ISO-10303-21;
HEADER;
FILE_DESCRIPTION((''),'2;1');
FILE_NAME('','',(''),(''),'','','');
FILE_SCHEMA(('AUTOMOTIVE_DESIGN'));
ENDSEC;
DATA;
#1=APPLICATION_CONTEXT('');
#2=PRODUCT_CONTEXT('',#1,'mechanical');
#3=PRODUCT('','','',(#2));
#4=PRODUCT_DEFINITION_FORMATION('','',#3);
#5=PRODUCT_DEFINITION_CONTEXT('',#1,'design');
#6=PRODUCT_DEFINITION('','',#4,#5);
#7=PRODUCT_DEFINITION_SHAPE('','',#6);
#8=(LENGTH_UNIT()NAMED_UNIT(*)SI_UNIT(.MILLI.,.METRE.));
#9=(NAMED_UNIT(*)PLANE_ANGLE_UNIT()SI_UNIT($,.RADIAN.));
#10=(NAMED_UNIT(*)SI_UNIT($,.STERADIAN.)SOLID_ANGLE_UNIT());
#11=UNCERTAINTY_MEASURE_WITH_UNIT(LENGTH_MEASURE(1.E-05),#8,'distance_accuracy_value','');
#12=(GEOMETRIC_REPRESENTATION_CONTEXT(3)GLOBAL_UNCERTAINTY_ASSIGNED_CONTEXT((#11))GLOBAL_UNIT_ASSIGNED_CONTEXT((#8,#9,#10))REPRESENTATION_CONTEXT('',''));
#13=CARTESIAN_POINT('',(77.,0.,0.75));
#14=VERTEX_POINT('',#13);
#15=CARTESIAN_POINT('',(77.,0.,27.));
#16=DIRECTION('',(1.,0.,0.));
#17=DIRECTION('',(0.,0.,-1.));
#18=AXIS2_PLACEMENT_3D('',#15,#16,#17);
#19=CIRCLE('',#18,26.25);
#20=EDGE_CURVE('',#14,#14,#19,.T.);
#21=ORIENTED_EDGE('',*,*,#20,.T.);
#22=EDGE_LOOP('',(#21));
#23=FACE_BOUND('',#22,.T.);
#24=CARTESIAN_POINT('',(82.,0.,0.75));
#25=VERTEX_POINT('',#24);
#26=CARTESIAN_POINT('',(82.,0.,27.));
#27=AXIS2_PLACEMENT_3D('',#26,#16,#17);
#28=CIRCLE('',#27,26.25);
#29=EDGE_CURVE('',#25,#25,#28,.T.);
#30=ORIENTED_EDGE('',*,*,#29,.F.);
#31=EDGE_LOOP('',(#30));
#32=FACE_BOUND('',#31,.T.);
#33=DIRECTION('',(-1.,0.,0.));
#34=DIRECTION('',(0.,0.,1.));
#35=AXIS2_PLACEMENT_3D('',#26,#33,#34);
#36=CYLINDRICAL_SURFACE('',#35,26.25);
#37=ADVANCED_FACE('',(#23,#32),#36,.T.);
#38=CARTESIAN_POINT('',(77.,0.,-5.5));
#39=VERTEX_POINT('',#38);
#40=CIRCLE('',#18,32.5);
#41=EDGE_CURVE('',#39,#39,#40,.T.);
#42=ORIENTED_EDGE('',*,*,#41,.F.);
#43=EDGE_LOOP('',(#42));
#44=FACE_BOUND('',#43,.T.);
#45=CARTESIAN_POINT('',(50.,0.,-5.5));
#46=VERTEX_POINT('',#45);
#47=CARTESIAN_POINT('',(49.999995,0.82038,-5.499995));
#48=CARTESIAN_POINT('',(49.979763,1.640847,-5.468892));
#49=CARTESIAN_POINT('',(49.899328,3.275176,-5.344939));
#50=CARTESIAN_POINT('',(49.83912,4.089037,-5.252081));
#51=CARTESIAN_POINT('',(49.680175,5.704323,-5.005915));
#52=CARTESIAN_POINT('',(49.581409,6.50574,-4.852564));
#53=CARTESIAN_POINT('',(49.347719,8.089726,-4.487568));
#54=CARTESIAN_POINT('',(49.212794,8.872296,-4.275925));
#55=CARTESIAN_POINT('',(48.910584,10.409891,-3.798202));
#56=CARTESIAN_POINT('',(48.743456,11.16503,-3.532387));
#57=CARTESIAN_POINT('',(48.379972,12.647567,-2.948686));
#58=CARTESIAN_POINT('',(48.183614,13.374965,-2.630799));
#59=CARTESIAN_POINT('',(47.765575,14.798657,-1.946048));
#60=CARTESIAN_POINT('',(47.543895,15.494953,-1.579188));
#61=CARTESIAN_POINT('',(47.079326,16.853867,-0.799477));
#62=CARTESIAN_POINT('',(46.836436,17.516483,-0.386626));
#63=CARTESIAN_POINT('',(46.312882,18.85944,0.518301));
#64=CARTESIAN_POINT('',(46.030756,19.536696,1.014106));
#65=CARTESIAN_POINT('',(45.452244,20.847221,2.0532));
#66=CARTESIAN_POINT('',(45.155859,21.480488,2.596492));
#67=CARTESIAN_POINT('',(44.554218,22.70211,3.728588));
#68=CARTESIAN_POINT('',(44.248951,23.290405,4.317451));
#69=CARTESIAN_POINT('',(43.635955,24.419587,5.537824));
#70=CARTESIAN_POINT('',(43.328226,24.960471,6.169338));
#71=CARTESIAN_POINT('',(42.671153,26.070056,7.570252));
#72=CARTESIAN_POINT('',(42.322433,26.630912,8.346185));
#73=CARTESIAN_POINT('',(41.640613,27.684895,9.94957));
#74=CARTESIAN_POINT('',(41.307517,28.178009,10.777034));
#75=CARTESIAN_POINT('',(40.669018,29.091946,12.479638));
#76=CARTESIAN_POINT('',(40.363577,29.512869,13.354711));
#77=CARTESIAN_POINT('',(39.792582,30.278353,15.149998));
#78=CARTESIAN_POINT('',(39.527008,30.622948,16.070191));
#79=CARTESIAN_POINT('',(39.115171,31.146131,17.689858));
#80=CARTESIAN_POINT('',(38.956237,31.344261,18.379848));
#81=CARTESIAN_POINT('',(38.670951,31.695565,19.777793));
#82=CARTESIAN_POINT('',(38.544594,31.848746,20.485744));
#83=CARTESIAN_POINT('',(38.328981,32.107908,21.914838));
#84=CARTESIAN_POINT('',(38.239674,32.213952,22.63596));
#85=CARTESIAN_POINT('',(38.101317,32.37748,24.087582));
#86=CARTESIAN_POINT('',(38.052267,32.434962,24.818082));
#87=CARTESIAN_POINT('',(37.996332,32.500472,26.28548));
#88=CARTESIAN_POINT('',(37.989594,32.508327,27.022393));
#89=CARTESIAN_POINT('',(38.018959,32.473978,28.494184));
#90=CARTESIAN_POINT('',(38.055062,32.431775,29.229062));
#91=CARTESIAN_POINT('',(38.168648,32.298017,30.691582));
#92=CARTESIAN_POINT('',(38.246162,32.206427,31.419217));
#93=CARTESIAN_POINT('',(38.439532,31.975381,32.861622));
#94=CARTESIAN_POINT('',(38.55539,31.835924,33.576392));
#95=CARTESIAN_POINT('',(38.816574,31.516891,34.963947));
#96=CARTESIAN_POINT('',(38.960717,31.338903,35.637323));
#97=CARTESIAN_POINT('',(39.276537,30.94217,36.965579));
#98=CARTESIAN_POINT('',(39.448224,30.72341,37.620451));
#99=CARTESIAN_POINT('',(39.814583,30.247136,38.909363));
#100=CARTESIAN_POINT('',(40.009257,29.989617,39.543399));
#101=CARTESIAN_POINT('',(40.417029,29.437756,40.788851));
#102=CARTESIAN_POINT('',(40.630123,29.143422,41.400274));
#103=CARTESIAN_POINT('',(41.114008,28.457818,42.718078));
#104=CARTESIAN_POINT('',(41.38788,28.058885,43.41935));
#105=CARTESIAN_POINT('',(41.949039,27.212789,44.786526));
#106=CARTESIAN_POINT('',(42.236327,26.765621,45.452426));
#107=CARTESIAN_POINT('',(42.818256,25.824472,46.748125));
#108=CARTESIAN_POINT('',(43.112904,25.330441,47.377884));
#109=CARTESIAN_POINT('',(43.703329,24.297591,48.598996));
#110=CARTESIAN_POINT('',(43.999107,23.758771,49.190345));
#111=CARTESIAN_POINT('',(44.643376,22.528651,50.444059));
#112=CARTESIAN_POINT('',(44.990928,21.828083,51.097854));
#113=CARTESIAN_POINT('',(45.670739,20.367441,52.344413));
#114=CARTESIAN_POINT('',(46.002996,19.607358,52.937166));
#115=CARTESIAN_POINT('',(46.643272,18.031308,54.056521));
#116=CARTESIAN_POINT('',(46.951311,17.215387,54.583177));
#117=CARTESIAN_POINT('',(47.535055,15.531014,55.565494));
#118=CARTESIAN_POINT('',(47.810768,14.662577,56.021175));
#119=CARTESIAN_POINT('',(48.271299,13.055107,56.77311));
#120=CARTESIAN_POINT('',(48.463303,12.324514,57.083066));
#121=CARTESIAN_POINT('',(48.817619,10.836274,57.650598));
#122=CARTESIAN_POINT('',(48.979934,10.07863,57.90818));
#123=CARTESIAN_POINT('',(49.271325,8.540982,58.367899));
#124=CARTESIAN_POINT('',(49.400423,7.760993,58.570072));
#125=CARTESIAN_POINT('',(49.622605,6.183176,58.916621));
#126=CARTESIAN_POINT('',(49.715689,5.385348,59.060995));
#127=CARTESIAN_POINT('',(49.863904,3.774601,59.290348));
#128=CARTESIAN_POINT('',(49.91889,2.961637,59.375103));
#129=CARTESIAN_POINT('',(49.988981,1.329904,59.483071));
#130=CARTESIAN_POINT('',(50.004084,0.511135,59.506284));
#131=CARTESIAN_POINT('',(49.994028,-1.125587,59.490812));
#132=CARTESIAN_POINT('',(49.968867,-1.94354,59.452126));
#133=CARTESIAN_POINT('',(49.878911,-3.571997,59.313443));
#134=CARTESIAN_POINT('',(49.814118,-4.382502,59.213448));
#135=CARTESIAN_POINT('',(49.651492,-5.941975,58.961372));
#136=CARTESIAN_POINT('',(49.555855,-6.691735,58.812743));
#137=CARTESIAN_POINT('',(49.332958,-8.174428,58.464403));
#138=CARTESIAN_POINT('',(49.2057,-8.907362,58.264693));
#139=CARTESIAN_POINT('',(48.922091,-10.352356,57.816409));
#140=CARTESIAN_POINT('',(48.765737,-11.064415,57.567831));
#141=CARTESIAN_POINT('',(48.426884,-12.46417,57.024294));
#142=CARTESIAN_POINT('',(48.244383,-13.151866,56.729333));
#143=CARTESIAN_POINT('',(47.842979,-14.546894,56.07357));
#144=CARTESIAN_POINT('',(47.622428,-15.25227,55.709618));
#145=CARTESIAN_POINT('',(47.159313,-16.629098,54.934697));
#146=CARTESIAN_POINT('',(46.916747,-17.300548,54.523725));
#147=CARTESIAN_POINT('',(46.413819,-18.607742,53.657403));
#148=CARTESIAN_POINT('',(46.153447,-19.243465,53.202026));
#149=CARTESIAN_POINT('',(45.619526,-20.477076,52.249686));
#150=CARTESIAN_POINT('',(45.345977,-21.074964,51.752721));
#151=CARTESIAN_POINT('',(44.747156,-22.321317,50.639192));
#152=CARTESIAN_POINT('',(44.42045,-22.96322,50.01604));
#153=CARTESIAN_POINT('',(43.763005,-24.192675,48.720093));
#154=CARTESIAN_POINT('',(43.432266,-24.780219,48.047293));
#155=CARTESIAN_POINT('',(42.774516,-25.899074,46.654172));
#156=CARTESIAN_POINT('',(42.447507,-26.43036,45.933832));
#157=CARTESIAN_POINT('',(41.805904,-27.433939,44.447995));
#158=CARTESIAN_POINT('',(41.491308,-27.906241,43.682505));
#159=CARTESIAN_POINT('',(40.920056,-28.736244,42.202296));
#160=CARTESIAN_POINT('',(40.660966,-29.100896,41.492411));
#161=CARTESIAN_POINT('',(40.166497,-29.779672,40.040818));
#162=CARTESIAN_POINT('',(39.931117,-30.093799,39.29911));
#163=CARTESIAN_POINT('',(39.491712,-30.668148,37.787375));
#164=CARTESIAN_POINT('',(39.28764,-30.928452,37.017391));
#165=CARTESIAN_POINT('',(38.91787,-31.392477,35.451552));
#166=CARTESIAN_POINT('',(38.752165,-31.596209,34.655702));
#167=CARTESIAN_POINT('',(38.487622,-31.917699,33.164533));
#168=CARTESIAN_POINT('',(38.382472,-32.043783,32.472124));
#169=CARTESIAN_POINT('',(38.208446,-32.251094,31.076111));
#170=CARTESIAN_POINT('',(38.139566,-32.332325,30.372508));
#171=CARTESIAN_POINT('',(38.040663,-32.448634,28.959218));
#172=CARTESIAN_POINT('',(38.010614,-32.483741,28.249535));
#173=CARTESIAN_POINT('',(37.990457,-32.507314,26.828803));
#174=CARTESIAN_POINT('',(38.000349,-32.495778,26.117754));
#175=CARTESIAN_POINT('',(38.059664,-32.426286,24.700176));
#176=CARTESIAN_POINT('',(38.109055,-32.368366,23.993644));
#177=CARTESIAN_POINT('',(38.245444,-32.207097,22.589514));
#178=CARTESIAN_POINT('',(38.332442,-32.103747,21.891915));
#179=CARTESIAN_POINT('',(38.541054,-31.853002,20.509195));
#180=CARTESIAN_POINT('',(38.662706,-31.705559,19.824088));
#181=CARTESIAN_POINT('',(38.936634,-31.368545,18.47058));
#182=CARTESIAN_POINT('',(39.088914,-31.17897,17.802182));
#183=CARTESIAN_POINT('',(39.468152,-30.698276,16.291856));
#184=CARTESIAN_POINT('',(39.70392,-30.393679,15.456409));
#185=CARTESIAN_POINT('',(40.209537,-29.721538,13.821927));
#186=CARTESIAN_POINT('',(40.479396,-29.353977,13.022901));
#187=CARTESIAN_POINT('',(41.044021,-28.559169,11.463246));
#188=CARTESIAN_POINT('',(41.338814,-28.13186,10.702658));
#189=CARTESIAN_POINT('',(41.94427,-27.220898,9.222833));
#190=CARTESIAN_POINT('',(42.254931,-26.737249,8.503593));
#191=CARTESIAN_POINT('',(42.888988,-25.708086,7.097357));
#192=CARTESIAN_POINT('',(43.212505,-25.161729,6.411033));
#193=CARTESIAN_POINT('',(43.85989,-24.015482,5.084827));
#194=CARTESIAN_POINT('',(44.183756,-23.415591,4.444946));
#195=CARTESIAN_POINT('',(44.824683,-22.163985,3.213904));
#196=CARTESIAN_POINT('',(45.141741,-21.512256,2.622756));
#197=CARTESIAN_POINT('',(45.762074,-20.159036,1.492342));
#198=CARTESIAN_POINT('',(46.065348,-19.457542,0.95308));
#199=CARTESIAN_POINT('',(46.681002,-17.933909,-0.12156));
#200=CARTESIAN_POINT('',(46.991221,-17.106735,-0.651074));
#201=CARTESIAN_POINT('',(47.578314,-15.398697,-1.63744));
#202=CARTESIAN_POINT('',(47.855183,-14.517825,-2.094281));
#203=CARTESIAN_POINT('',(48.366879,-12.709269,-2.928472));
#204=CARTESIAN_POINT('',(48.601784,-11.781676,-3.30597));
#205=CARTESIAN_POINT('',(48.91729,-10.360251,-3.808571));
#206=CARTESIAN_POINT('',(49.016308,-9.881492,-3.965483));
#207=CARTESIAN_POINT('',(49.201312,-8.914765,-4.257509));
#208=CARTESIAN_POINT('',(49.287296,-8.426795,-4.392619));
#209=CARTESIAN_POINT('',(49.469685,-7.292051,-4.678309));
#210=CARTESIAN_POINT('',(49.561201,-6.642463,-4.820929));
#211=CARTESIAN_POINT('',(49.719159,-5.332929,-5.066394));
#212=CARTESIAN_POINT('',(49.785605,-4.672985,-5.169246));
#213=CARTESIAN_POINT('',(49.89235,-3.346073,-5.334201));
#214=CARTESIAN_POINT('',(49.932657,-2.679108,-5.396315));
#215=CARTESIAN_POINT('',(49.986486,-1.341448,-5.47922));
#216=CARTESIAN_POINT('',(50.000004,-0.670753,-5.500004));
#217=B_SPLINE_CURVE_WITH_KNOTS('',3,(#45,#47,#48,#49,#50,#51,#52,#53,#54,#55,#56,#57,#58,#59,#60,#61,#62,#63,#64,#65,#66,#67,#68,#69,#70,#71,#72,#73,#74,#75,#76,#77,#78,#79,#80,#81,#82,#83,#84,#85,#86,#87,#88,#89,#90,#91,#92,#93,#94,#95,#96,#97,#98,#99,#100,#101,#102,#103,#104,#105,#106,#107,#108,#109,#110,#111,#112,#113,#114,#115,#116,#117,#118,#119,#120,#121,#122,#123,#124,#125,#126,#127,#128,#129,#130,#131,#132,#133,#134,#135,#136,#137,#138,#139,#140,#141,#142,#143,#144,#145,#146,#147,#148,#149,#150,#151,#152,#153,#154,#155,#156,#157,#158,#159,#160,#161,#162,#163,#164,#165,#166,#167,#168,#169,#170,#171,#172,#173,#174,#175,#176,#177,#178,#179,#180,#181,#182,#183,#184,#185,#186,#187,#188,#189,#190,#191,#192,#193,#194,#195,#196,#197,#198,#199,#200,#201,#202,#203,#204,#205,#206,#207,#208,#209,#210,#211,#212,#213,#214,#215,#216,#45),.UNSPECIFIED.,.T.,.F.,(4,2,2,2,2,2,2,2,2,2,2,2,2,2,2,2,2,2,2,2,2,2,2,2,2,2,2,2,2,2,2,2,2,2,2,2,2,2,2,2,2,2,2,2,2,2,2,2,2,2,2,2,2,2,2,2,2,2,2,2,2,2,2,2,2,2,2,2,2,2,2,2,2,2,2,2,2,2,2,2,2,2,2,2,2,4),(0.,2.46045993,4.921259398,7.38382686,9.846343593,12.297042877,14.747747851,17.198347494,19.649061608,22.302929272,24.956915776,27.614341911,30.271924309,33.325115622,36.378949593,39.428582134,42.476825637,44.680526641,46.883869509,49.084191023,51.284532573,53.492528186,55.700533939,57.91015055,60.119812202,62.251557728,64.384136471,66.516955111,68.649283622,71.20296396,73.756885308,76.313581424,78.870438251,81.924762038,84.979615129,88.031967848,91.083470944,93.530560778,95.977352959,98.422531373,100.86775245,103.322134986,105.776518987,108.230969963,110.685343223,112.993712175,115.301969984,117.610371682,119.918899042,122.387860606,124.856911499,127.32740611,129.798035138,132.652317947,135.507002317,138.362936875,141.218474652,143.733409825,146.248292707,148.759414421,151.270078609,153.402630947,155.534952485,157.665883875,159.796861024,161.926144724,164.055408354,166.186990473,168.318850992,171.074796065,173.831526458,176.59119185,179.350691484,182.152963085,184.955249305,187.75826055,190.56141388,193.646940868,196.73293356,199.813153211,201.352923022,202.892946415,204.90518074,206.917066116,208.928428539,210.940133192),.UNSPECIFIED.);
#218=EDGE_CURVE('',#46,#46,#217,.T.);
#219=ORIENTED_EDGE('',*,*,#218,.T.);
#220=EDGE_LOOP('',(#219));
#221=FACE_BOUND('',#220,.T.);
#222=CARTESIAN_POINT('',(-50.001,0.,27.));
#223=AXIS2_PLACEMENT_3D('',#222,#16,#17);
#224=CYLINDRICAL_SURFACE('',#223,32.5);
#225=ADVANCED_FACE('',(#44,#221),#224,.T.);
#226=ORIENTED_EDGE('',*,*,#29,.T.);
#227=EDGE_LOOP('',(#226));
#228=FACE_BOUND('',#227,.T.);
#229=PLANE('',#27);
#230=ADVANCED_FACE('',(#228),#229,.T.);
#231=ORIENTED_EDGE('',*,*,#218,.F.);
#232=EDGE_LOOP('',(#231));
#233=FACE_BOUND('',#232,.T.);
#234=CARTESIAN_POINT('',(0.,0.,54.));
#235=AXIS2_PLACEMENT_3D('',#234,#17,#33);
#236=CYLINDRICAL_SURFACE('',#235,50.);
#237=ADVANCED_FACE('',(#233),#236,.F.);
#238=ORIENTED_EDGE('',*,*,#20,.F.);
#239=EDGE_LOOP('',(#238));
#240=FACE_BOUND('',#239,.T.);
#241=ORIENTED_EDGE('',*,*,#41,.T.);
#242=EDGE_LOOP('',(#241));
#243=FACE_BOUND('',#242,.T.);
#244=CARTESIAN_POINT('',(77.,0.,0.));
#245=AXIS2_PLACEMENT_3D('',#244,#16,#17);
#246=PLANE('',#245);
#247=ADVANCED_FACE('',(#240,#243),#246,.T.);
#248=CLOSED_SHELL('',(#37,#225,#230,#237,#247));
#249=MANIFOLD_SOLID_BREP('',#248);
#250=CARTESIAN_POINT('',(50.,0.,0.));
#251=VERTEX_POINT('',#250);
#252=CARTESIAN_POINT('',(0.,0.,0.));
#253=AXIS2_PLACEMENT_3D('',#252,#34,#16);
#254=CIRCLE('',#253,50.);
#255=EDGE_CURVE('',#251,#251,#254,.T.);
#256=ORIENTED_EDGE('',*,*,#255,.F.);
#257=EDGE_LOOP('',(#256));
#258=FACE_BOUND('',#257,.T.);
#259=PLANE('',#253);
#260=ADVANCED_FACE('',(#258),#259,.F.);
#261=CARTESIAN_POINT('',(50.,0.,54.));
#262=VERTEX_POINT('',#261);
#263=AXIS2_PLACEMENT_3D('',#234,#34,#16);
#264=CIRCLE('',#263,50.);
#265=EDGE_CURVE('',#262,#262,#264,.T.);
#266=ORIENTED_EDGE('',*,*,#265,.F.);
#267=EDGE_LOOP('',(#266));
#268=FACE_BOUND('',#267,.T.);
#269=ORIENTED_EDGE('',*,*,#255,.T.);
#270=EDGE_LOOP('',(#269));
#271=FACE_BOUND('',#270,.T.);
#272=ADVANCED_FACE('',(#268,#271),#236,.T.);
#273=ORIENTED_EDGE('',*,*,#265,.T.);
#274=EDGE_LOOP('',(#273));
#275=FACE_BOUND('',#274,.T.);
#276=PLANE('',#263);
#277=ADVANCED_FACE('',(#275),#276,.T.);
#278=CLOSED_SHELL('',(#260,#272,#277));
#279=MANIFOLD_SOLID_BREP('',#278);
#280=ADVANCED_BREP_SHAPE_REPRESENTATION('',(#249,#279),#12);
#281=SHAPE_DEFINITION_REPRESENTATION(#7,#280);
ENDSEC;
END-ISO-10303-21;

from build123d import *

# Parameters (mm, degrees)
SKETCH1_R                = 50
BOSS_EXTRUDE1_DEPTH      = 54
BOSS_EXTRUDE2_REACH      = 148.782
BOSS_EXTRUDE2_END_RADIUS = 50
SKETCH2_R                = 32.5
SKETCH3_R                = 26.25
BOSS_EXTRUDE3_DEPTH      = 5


with BuildPart() as part:
    # Sketch1 → Boss-Extrude1 (new body)
    with BuildSketch(Plane.XY):
        Circle(SKETCH1_R)
    extrude(amount=BOSS_EXTRUDE1_DEPTH)


with BuildPart() as body_2:
    # Boss-Extrude2: up to this cylinder (the profile starts outside it)
    boss_extrude2_end = Plane(origin=(0, 0, 27), z_dir=(0, 0, -1)) * Cylinder(BOSS_EXTRUDE2_END_RADIUS, 398.564, mode=Mode.PRIVATE)
    # Sketch2 → Boss-Extrude2 (new, up to the surface)
    with BuildSketch(Plane(origin=(77, 0, 0), x_dir=(0, 0, -1), z_dir=(1, 0, 0)), mode=Mode.PRIVATE) as boss_extrude2_sk1:
        with Locations((-27, 0)):
            Circle(SKETCH2_R)
    boss_extrude2_tool1 = extrude(boss_extrude2_sk1.sketch, amount=-BOSS_EXTRUDE2_REACH, mode=Mode.PRIVATE) - boss_extrude2_end
    add(boss_extrude2_tool1.solids().sort_by_distance((77, 0, 27))[0])

    # Sketch3 → Boss-Extrude3 (add)
    with BuildSketch(Plane(origin=(77, 0, 0), x_dir=(0, 0, -1), z_dir=(1, 0, 0))):
        with Locations((-27, 0)):
            Circle(SKETCH3_R)
    extrude(amount=BOSS_EXTRUDE3_DEPTH)


solid = Compound([part.part, body_2.part])
